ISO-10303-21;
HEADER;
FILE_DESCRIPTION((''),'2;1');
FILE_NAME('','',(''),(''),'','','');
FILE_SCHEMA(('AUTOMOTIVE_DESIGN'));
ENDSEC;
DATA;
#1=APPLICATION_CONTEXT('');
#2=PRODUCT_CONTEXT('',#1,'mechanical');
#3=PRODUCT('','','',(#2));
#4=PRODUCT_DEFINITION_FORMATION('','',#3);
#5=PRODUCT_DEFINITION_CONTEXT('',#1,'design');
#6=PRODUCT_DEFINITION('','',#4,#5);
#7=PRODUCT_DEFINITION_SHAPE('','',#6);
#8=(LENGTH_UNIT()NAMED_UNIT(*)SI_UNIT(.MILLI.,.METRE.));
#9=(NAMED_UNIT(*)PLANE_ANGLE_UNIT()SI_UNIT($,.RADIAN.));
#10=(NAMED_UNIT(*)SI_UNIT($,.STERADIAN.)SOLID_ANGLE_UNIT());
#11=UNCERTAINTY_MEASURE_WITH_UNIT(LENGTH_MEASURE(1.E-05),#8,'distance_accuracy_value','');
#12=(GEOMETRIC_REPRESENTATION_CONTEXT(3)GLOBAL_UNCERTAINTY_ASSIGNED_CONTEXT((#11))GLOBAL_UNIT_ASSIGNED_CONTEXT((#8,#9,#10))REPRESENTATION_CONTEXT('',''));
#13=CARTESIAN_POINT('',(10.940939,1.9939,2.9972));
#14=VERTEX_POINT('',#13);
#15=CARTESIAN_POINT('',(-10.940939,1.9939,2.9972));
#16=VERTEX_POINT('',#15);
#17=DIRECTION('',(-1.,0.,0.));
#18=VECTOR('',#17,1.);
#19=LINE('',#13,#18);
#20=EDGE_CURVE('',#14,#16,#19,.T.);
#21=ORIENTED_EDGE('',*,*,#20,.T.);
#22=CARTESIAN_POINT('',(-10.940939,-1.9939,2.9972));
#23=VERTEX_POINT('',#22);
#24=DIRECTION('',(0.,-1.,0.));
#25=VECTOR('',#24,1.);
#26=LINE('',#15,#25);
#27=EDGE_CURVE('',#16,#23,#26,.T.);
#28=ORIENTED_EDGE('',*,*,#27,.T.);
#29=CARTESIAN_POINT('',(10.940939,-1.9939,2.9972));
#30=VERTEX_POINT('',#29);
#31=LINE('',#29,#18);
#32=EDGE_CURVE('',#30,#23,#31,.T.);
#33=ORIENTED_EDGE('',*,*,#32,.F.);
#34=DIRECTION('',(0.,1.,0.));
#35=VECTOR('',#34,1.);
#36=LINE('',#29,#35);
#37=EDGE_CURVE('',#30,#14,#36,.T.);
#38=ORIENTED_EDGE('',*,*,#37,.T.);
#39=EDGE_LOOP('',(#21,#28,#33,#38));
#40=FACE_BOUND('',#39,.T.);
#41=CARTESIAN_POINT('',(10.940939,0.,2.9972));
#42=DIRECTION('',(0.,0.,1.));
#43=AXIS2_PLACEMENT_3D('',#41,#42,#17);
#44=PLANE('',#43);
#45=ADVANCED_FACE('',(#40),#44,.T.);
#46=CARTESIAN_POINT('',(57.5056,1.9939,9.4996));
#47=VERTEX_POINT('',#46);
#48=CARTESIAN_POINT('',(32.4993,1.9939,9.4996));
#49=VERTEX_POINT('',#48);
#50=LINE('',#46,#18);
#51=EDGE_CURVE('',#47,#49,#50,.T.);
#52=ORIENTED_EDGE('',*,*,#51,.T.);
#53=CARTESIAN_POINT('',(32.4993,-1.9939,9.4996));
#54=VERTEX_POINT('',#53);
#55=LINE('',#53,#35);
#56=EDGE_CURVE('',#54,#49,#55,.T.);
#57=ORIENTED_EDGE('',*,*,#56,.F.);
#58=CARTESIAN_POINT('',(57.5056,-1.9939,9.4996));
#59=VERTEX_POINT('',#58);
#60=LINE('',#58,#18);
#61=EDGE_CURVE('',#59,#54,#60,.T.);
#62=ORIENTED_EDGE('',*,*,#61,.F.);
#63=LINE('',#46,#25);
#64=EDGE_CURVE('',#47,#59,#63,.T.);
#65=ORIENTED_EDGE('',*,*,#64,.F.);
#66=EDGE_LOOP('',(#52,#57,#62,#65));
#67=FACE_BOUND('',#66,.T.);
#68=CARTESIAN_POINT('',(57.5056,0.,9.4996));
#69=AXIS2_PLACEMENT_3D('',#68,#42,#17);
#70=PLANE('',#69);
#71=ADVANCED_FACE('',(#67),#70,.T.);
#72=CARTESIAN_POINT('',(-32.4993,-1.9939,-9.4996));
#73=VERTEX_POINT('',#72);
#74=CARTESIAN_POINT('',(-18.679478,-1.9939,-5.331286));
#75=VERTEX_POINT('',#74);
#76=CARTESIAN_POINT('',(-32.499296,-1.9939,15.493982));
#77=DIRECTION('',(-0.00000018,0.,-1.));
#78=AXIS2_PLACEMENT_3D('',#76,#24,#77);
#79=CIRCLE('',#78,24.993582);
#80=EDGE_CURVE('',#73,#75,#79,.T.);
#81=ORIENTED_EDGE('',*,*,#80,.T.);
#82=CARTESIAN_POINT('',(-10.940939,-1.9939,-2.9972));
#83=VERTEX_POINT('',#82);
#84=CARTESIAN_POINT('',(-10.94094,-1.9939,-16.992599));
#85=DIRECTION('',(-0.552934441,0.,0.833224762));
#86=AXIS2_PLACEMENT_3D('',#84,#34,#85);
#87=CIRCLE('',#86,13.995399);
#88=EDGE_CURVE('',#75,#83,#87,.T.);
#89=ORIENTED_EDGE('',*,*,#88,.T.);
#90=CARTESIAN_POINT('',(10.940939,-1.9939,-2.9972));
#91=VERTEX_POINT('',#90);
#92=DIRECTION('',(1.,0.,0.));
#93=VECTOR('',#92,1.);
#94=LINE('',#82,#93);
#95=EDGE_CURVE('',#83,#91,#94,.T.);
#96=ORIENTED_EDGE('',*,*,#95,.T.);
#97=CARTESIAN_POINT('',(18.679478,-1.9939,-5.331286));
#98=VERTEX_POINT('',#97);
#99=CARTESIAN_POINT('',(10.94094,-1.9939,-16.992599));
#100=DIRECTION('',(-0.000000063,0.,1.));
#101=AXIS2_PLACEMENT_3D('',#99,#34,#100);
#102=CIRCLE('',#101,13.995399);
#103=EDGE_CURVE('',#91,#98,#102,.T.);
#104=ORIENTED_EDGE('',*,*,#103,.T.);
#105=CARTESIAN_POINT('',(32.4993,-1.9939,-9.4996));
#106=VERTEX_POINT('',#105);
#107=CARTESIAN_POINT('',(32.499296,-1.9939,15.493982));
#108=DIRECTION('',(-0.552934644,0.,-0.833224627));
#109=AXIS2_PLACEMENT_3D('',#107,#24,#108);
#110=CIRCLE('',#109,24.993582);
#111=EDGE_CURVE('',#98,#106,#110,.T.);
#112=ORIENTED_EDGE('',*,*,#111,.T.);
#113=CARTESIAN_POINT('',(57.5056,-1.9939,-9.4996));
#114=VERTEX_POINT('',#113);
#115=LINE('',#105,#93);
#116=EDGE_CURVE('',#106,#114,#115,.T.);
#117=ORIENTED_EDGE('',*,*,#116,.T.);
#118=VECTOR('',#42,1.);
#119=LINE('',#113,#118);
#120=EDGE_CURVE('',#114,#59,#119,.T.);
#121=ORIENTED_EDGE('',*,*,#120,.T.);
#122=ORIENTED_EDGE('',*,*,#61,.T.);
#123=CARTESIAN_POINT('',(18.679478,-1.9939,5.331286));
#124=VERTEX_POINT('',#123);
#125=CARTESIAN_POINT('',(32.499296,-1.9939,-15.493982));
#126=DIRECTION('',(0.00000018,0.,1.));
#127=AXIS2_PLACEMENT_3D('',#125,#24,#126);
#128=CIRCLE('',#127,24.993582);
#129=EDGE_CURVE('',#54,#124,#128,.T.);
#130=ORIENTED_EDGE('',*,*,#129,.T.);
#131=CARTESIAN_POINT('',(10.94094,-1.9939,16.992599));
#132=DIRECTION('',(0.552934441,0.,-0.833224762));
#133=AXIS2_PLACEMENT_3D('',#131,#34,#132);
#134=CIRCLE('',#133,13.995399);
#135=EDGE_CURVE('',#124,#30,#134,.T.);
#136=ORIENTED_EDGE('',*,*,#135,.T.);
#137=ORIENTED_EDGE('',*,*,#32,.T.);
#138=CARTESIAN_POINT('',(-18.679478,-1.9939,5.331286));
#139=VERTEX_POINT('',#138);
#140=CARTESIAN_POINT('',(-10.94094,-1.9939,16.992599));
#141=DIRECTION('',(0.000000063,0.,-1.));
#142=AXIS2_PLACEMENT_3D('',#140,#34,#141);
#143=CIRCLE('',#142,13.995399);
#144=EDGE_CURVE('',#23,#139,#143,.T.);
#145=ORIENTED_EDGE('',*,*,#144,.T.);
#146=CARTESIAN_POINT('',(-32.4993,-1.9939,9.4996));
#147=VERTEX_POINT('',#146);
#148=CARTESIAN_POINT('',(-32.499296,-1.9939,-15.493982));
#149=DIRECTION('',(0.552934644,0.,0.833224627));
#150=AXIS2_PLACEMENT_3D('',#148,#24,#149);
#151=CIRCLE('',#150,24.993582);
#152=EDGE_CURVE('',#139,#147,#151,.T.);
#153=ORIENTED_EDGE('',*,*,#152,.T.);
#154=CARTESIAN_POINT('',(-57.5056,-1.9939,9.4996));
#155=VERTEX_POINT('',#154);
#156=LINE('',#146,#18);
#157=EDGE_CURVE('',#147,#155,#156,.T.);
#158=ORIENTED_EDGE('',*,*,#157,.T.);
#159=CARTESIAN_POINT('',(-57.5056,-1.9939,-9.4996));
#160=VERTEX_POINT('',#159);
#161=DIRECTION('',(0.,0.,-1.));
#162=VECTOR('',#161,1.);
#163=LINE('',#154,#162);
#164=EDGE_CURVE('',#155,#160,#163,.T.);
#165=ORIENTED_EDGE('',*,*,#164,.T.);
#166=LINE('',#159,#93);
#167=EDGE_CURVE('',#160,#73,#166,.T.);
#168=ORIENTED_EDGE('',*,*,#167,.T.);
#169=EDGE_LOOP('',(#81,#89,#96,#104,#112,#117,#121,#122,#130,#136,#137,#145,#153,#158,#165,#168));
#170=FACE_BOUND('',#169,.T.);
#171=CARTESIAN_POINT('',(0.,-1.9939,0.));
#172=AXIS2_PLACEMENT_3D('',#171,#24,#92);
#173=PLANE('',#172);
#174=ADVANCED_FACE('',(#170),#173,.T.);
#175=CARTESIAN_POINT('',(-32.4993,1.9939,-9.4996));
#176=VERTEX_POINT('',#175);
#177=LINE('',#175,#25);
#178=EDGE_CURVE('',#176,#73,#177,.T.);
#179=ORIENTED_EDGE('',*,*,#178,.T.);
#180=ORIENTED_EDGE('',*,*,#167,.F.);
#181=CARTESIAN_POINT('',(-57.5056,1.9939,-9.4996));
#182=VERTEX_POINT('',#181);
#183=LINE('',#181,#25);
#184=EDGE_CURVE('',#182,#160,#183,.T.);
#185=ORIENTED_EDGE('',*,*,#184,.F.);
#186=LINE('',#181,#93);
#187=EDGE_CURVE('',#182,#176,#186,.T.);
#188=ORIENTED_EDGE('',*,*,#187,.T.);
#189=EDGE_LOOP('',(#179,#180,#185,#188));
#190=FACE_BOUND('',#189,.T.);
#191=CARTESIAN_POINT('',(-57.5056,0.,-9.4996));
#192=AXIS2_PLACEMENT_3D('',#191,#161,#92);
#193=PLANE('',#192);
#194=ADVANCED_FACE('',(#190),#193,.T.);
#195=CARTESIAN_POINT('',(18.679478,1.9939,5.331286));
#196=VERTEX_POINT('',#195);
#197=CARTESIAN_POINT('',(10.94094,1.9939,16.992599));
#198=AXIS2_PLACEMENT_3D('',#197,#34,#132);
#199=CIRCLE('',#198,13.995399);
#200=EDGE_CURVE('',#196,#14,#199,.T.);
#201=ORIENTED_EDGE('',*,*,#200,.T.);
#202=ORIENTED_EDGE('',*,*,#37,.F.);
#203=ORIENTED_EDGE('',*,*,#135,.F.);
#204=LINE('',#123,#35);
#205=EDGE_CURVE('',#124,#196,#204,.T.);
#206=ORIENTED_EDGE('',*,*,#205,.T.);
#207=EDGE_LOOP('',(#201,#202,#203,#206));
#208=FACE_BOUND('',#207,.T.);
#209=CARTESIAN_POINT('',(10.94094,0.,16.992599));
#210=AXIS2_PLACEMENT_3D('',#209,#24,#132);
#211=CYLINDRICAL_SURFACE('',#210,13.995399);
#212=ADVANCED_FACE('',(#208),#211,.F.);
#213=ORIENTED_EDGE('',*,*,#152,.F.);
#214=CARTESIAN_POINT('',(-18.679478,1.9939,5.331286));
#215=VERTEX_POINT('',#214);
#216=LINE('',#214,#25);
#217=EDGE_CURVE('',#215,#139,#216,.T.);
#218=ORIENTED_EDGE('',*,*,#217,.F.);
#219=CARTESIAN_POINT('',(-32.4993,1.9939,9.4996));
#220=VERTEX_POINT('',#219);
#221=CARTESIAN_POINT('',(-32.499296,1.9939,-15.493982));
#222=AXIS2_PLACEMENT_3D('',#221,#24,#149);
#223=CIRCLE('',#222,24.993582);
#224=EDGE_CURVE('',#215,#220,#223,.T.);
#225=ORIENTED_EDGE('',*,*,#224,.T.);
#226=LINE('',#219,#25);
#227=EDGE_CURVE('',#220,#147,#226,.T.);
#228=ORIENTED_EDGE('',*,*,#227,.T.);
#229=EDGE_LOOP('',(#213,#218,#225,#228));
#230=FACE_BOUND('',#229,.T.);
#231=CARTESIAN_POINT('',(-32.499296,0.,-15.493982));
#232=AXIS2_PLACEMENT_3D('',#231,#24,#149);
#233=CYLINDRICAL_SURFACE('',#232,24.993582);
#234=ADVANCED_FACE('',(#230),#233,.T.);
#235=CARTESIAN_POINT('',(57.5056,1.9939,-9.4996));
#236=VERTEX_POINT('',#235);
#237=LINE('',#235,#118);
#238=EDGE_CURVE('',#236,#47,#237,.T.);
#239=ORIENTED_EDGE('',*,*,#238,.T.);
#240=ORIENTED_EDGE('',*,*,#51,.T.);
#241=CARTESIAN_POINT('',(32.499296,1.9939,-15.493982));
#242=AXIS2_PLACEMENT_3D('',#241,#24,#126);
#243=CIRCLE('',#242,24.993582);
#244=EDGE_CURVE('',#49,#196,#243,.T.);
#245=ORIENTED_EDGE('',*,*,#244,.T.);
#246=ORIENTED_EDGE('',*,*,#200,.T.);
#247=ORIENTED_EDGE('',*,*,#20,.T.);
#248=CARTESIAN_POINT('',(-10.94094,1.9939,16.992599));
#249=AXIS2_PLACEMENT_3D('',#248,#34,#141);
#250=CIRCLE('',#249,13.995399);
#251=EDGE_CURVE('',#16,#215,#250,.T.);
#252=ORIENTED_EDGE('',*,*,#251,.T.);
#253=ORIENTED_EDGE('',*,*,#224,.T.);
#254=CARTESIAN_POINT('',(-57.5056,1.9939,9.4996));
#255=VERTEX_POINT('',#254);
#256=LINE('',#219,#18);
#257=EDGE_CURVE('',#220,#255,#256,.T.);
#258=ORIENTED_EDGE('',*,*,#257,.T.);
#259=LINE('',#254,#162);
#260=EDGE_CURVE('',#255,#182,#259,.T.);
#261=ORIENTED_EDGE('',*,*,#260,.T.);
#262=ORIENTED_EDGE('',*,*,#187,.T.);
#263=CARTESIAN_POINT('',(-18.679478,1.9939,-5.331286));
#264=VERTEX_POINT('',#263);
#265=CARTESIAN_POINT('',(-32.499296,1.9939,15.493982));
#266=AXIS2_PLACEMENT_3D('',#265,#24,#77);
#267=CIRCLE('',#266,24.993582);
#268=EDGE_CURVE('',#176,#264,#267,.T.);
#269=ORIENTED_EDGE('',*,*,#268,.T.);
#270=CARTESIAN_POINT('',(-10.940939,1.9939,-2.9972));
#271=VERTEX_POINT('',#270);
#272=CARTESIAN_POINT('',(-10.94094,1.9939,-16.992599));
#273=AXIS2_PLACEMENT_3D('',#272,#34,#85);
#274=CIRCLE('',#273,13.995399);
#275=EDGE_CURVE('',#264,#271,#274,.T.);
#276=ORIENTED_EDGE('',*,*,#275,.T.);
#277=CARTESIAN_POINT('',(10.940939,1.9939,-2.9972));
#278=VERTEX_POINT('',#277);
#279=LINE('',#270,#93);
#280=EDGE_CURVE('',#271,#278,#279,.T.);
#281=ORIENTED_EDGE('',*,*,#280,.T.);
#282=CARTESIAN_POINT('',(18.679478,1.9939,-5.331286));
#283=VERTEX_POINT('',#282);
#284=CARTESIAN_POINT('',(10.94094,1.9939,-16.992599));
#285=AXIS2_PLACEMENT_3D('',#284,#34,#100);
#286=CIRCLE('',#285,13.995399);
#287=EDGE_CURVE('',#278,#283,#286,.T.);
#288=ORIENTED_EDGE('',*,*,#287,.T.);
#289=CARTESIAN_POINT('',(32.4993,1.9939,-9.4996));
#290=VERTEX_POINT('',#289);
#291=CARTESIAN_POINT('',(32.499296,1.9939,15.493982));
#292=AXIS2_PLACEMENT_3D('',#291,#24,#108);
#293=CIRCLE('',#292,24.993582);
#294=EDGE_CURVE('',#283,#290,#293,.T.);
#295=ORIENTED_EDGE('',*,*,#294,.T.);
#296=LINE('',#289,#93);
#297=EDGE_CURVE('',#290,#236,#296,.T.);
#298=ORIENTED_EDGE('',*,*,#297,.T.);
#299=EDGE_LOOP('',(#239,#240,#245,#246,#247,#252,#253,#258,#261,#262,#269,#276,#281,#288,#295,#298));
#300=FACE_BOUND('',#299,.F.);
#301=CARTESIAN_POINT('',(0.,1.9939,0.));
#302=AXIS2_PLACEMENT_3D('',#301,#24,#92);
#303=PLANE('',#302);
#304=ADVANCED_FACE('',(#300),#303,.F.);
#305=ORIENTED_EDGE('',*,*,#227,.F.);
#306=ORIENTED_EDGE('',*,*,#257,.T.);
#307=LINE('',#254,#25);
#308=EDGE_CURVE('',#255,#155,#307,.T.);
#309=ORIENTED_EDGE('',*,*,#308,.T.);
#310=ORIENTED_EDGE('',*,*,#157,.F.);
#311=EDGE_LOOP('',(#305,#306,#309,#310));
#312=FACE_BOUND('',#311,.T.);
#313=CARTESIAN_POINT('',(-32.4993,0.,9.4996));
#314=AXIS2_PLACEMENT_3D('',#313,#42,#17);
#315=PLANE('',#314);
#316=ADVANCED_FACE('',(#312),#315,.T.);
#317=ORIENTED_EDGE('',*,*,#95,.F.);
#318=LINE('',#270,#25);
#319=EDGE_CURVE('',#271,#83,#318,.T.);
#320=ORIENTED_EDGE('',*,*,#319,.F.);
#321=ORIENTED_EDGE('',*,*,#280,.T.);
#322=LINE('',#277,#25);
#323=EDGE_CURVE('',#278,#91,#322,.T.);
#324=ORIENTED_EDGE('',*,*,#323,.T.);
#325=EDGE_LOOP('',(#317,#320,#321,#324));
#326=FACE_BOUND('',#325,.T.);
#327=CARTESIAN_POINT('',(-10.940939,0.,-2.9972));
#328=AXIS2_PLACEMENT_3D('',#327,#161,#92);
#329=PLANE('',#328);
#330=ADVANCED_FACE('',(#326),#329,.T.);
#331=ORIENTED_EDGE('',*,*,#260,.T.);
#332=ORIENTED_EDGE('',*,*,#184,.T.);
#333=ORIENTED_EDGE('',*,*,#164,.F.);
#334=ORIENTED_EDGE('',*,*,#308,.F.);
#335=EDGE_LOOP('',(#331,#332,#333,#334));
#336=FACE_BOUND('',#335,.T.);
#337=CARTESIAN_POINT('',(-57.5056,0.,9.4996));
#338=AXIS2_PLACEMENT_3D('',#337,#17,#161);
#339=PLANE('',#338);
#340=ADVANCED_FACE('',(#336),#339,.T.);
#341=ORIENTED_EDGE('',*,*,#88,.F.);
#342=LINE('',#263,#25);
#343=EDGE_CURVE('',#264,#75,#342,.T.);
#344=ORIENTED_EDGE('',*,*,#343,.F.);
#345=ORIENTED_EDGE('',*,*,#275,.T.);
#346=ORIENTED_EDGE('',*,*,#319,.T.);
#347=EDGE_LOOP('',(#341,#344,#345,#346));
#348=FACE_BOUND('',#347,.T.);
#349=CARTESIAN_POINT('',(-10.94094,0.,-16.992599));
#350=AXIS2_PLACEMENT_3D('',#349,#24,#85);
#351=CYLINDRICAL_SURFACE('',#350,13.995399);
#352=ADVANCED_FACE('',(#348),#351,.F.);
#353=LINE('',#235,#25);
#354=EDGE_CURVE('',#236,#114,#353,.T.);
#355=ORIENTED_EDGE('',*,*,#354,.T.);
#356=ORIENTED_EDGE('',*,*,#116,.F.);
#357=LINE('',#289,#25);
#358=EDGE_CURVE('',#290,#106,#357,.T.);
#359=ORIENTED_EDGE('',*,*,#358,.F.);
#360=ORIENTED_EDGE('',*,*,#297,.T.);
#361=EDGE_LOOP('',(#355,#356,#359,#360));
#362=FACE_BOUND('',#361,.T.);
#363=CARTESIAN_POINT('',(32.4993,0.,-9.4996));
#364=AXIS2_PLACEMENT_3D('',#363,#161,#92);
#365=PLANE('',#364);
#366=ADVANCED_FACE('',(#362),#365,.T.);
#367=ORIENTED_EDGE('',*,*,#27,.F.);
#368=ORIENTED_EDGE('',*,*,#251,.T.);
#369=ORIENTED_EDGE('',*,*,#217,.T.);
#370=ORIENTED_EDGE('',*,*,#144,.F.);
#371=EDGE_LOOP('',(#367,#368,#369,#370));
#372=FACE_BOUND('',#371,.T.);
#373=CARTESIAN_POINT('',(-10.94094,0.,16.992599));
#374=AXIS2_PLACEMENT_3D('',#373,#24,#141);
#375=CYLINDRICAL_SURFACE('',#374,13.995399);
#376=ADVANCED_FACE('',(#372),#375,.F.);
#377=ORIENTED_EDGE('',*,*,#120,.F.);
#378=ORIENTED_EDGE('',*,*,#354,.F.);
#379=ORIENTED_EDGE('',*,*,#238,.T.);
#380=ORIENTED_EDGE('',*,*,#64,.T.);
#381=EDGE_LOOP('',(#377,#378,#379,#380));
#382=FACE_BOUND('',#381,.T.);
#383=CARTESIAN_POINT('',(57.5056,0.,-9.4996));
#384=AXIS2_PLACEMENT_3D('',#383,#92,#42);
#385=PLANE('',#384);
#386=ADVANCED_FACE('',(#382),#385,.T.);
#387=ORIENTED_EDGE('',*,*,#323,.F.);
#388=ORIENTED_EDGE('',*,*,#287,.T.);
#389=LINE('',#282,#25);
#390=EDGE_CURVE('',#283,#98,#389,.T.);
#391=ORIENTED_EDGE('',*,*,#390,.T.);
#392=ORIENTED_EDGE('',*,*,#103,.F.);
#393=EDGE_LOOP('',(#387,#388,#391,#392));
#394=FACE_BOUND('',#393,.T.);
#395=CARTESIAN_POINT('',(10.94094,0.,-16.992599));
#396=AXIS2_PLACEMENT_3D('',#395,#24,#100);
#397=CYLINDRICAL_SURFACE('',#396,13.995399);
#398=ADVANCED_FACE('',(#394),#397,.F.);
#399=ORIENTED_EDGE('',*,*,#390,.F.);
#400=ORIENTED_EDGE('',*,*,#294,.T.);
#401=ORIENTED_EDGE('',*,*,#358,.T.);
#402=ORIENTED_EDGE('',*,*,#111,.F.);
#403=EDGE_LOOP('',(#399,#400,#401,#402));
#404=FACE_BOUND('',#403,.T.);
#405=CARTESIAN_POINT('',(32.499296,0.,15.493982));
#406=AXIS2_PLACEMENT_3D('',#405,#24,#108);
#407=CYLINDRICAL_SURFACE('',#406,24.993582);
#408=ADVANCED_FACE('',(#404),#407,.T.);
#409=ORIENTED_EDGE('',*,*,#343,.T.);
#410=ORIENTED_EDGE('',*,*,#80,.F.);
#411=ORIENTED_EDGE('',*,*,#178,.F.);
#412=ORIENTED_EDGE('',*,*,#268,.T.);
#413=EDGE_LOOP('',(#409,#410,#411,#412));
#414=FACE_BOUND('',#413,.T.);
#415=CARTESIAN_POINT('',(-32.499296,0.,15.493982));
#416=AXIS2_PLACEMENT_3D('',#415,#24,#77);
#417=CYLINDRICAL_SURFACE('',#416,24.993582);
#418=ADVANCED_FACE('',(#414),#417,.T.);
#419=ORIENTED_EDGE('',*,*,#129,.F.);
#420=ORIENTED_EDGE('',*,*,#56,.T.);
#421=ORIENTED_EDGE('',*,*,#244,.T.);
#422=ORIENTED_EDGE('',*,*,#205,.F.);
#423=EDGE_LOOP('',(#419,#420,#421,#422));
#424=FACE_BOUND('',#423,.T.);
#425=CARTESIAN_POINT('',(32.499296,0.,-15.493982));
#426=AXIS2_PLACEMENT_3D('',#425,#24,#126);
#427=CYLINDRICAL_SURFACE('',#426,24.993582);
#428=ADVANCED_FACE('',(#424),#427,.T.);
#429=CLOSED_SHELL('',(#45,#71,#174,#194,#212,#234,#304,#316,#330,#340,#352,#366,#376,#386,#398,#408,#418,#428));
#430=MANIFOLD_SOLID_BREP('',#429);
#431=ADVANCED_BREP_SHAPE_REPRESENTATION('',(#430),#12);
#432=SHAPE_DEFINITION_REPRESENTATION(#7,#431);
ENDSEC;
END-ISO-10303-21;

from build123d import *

# Parameters (mm, degrees)
F1_DEPTH = 1.9939


with BuildPart() as f1:
    # F0 (on Front) → F1 (new body, symmetric)
    with BuildSketch(Plane.XZ):
        with BuildLine():
            Line((10.940939, 2.9972), (0, 2.9972))
            Line((0, 2.9972), (-10.940939, 2.9972))
            ThreePointArc((-10.940939, 2.9972), (-14.982378, 3.593421), (-18.679478, 5.331286))
            ThreePointArc((-18.679478, 5.331286), (-25.281919, 8.434842), (-32.4993, 9.4996))
            Line((-32.4993, 9.4996), (-57.5056, 9.4996))
            Line((-57.5056, 9.4996), (-57.5056, -9.4996))
            Line((-57.5056, -9.4996), (-32.4993, -9.4996))
            ThreePointArc((-32.4993, -9.4996), (-25.281919, -8.434842), (-18.679478, -5.331286))
            ThreePointArc((-18.679478, -5.331286), (-14.982378, -3.593421), (-10.940939, -2.9972))
            Line((-10.940939, -2.9972), (0, -2.9972))
            Line((0, -2.9972), (10.940939, -2.9972))
            ThreePointArc((10.940939, -2.9972), (14.982378, -3.593421), (18.679478, -5.331286))
            ThreePointArc((18.679478, -5.331286), (25.281919, -8.434842), (32.4993, -9.4996))
            Line((32.4993, -9.4996), (57.5056, -9.4996))
            Line((57.5056, -9.4996), (57.5056, 9.4996))
            Line((57.5056, 9.4996), (32.4993, 9.4996))
            ThreePointArc((32.4993, 9.4996), (25.281919, 8.434842), (18.679478, 5.331286))
            ThreePointArc((18.679478, 5.331286), (14.982378, 3.593421), (10.940939, 2.9972))
        make_face()
    extrude(amount=F1_DEPTH, both=True)


solid = f1.part
